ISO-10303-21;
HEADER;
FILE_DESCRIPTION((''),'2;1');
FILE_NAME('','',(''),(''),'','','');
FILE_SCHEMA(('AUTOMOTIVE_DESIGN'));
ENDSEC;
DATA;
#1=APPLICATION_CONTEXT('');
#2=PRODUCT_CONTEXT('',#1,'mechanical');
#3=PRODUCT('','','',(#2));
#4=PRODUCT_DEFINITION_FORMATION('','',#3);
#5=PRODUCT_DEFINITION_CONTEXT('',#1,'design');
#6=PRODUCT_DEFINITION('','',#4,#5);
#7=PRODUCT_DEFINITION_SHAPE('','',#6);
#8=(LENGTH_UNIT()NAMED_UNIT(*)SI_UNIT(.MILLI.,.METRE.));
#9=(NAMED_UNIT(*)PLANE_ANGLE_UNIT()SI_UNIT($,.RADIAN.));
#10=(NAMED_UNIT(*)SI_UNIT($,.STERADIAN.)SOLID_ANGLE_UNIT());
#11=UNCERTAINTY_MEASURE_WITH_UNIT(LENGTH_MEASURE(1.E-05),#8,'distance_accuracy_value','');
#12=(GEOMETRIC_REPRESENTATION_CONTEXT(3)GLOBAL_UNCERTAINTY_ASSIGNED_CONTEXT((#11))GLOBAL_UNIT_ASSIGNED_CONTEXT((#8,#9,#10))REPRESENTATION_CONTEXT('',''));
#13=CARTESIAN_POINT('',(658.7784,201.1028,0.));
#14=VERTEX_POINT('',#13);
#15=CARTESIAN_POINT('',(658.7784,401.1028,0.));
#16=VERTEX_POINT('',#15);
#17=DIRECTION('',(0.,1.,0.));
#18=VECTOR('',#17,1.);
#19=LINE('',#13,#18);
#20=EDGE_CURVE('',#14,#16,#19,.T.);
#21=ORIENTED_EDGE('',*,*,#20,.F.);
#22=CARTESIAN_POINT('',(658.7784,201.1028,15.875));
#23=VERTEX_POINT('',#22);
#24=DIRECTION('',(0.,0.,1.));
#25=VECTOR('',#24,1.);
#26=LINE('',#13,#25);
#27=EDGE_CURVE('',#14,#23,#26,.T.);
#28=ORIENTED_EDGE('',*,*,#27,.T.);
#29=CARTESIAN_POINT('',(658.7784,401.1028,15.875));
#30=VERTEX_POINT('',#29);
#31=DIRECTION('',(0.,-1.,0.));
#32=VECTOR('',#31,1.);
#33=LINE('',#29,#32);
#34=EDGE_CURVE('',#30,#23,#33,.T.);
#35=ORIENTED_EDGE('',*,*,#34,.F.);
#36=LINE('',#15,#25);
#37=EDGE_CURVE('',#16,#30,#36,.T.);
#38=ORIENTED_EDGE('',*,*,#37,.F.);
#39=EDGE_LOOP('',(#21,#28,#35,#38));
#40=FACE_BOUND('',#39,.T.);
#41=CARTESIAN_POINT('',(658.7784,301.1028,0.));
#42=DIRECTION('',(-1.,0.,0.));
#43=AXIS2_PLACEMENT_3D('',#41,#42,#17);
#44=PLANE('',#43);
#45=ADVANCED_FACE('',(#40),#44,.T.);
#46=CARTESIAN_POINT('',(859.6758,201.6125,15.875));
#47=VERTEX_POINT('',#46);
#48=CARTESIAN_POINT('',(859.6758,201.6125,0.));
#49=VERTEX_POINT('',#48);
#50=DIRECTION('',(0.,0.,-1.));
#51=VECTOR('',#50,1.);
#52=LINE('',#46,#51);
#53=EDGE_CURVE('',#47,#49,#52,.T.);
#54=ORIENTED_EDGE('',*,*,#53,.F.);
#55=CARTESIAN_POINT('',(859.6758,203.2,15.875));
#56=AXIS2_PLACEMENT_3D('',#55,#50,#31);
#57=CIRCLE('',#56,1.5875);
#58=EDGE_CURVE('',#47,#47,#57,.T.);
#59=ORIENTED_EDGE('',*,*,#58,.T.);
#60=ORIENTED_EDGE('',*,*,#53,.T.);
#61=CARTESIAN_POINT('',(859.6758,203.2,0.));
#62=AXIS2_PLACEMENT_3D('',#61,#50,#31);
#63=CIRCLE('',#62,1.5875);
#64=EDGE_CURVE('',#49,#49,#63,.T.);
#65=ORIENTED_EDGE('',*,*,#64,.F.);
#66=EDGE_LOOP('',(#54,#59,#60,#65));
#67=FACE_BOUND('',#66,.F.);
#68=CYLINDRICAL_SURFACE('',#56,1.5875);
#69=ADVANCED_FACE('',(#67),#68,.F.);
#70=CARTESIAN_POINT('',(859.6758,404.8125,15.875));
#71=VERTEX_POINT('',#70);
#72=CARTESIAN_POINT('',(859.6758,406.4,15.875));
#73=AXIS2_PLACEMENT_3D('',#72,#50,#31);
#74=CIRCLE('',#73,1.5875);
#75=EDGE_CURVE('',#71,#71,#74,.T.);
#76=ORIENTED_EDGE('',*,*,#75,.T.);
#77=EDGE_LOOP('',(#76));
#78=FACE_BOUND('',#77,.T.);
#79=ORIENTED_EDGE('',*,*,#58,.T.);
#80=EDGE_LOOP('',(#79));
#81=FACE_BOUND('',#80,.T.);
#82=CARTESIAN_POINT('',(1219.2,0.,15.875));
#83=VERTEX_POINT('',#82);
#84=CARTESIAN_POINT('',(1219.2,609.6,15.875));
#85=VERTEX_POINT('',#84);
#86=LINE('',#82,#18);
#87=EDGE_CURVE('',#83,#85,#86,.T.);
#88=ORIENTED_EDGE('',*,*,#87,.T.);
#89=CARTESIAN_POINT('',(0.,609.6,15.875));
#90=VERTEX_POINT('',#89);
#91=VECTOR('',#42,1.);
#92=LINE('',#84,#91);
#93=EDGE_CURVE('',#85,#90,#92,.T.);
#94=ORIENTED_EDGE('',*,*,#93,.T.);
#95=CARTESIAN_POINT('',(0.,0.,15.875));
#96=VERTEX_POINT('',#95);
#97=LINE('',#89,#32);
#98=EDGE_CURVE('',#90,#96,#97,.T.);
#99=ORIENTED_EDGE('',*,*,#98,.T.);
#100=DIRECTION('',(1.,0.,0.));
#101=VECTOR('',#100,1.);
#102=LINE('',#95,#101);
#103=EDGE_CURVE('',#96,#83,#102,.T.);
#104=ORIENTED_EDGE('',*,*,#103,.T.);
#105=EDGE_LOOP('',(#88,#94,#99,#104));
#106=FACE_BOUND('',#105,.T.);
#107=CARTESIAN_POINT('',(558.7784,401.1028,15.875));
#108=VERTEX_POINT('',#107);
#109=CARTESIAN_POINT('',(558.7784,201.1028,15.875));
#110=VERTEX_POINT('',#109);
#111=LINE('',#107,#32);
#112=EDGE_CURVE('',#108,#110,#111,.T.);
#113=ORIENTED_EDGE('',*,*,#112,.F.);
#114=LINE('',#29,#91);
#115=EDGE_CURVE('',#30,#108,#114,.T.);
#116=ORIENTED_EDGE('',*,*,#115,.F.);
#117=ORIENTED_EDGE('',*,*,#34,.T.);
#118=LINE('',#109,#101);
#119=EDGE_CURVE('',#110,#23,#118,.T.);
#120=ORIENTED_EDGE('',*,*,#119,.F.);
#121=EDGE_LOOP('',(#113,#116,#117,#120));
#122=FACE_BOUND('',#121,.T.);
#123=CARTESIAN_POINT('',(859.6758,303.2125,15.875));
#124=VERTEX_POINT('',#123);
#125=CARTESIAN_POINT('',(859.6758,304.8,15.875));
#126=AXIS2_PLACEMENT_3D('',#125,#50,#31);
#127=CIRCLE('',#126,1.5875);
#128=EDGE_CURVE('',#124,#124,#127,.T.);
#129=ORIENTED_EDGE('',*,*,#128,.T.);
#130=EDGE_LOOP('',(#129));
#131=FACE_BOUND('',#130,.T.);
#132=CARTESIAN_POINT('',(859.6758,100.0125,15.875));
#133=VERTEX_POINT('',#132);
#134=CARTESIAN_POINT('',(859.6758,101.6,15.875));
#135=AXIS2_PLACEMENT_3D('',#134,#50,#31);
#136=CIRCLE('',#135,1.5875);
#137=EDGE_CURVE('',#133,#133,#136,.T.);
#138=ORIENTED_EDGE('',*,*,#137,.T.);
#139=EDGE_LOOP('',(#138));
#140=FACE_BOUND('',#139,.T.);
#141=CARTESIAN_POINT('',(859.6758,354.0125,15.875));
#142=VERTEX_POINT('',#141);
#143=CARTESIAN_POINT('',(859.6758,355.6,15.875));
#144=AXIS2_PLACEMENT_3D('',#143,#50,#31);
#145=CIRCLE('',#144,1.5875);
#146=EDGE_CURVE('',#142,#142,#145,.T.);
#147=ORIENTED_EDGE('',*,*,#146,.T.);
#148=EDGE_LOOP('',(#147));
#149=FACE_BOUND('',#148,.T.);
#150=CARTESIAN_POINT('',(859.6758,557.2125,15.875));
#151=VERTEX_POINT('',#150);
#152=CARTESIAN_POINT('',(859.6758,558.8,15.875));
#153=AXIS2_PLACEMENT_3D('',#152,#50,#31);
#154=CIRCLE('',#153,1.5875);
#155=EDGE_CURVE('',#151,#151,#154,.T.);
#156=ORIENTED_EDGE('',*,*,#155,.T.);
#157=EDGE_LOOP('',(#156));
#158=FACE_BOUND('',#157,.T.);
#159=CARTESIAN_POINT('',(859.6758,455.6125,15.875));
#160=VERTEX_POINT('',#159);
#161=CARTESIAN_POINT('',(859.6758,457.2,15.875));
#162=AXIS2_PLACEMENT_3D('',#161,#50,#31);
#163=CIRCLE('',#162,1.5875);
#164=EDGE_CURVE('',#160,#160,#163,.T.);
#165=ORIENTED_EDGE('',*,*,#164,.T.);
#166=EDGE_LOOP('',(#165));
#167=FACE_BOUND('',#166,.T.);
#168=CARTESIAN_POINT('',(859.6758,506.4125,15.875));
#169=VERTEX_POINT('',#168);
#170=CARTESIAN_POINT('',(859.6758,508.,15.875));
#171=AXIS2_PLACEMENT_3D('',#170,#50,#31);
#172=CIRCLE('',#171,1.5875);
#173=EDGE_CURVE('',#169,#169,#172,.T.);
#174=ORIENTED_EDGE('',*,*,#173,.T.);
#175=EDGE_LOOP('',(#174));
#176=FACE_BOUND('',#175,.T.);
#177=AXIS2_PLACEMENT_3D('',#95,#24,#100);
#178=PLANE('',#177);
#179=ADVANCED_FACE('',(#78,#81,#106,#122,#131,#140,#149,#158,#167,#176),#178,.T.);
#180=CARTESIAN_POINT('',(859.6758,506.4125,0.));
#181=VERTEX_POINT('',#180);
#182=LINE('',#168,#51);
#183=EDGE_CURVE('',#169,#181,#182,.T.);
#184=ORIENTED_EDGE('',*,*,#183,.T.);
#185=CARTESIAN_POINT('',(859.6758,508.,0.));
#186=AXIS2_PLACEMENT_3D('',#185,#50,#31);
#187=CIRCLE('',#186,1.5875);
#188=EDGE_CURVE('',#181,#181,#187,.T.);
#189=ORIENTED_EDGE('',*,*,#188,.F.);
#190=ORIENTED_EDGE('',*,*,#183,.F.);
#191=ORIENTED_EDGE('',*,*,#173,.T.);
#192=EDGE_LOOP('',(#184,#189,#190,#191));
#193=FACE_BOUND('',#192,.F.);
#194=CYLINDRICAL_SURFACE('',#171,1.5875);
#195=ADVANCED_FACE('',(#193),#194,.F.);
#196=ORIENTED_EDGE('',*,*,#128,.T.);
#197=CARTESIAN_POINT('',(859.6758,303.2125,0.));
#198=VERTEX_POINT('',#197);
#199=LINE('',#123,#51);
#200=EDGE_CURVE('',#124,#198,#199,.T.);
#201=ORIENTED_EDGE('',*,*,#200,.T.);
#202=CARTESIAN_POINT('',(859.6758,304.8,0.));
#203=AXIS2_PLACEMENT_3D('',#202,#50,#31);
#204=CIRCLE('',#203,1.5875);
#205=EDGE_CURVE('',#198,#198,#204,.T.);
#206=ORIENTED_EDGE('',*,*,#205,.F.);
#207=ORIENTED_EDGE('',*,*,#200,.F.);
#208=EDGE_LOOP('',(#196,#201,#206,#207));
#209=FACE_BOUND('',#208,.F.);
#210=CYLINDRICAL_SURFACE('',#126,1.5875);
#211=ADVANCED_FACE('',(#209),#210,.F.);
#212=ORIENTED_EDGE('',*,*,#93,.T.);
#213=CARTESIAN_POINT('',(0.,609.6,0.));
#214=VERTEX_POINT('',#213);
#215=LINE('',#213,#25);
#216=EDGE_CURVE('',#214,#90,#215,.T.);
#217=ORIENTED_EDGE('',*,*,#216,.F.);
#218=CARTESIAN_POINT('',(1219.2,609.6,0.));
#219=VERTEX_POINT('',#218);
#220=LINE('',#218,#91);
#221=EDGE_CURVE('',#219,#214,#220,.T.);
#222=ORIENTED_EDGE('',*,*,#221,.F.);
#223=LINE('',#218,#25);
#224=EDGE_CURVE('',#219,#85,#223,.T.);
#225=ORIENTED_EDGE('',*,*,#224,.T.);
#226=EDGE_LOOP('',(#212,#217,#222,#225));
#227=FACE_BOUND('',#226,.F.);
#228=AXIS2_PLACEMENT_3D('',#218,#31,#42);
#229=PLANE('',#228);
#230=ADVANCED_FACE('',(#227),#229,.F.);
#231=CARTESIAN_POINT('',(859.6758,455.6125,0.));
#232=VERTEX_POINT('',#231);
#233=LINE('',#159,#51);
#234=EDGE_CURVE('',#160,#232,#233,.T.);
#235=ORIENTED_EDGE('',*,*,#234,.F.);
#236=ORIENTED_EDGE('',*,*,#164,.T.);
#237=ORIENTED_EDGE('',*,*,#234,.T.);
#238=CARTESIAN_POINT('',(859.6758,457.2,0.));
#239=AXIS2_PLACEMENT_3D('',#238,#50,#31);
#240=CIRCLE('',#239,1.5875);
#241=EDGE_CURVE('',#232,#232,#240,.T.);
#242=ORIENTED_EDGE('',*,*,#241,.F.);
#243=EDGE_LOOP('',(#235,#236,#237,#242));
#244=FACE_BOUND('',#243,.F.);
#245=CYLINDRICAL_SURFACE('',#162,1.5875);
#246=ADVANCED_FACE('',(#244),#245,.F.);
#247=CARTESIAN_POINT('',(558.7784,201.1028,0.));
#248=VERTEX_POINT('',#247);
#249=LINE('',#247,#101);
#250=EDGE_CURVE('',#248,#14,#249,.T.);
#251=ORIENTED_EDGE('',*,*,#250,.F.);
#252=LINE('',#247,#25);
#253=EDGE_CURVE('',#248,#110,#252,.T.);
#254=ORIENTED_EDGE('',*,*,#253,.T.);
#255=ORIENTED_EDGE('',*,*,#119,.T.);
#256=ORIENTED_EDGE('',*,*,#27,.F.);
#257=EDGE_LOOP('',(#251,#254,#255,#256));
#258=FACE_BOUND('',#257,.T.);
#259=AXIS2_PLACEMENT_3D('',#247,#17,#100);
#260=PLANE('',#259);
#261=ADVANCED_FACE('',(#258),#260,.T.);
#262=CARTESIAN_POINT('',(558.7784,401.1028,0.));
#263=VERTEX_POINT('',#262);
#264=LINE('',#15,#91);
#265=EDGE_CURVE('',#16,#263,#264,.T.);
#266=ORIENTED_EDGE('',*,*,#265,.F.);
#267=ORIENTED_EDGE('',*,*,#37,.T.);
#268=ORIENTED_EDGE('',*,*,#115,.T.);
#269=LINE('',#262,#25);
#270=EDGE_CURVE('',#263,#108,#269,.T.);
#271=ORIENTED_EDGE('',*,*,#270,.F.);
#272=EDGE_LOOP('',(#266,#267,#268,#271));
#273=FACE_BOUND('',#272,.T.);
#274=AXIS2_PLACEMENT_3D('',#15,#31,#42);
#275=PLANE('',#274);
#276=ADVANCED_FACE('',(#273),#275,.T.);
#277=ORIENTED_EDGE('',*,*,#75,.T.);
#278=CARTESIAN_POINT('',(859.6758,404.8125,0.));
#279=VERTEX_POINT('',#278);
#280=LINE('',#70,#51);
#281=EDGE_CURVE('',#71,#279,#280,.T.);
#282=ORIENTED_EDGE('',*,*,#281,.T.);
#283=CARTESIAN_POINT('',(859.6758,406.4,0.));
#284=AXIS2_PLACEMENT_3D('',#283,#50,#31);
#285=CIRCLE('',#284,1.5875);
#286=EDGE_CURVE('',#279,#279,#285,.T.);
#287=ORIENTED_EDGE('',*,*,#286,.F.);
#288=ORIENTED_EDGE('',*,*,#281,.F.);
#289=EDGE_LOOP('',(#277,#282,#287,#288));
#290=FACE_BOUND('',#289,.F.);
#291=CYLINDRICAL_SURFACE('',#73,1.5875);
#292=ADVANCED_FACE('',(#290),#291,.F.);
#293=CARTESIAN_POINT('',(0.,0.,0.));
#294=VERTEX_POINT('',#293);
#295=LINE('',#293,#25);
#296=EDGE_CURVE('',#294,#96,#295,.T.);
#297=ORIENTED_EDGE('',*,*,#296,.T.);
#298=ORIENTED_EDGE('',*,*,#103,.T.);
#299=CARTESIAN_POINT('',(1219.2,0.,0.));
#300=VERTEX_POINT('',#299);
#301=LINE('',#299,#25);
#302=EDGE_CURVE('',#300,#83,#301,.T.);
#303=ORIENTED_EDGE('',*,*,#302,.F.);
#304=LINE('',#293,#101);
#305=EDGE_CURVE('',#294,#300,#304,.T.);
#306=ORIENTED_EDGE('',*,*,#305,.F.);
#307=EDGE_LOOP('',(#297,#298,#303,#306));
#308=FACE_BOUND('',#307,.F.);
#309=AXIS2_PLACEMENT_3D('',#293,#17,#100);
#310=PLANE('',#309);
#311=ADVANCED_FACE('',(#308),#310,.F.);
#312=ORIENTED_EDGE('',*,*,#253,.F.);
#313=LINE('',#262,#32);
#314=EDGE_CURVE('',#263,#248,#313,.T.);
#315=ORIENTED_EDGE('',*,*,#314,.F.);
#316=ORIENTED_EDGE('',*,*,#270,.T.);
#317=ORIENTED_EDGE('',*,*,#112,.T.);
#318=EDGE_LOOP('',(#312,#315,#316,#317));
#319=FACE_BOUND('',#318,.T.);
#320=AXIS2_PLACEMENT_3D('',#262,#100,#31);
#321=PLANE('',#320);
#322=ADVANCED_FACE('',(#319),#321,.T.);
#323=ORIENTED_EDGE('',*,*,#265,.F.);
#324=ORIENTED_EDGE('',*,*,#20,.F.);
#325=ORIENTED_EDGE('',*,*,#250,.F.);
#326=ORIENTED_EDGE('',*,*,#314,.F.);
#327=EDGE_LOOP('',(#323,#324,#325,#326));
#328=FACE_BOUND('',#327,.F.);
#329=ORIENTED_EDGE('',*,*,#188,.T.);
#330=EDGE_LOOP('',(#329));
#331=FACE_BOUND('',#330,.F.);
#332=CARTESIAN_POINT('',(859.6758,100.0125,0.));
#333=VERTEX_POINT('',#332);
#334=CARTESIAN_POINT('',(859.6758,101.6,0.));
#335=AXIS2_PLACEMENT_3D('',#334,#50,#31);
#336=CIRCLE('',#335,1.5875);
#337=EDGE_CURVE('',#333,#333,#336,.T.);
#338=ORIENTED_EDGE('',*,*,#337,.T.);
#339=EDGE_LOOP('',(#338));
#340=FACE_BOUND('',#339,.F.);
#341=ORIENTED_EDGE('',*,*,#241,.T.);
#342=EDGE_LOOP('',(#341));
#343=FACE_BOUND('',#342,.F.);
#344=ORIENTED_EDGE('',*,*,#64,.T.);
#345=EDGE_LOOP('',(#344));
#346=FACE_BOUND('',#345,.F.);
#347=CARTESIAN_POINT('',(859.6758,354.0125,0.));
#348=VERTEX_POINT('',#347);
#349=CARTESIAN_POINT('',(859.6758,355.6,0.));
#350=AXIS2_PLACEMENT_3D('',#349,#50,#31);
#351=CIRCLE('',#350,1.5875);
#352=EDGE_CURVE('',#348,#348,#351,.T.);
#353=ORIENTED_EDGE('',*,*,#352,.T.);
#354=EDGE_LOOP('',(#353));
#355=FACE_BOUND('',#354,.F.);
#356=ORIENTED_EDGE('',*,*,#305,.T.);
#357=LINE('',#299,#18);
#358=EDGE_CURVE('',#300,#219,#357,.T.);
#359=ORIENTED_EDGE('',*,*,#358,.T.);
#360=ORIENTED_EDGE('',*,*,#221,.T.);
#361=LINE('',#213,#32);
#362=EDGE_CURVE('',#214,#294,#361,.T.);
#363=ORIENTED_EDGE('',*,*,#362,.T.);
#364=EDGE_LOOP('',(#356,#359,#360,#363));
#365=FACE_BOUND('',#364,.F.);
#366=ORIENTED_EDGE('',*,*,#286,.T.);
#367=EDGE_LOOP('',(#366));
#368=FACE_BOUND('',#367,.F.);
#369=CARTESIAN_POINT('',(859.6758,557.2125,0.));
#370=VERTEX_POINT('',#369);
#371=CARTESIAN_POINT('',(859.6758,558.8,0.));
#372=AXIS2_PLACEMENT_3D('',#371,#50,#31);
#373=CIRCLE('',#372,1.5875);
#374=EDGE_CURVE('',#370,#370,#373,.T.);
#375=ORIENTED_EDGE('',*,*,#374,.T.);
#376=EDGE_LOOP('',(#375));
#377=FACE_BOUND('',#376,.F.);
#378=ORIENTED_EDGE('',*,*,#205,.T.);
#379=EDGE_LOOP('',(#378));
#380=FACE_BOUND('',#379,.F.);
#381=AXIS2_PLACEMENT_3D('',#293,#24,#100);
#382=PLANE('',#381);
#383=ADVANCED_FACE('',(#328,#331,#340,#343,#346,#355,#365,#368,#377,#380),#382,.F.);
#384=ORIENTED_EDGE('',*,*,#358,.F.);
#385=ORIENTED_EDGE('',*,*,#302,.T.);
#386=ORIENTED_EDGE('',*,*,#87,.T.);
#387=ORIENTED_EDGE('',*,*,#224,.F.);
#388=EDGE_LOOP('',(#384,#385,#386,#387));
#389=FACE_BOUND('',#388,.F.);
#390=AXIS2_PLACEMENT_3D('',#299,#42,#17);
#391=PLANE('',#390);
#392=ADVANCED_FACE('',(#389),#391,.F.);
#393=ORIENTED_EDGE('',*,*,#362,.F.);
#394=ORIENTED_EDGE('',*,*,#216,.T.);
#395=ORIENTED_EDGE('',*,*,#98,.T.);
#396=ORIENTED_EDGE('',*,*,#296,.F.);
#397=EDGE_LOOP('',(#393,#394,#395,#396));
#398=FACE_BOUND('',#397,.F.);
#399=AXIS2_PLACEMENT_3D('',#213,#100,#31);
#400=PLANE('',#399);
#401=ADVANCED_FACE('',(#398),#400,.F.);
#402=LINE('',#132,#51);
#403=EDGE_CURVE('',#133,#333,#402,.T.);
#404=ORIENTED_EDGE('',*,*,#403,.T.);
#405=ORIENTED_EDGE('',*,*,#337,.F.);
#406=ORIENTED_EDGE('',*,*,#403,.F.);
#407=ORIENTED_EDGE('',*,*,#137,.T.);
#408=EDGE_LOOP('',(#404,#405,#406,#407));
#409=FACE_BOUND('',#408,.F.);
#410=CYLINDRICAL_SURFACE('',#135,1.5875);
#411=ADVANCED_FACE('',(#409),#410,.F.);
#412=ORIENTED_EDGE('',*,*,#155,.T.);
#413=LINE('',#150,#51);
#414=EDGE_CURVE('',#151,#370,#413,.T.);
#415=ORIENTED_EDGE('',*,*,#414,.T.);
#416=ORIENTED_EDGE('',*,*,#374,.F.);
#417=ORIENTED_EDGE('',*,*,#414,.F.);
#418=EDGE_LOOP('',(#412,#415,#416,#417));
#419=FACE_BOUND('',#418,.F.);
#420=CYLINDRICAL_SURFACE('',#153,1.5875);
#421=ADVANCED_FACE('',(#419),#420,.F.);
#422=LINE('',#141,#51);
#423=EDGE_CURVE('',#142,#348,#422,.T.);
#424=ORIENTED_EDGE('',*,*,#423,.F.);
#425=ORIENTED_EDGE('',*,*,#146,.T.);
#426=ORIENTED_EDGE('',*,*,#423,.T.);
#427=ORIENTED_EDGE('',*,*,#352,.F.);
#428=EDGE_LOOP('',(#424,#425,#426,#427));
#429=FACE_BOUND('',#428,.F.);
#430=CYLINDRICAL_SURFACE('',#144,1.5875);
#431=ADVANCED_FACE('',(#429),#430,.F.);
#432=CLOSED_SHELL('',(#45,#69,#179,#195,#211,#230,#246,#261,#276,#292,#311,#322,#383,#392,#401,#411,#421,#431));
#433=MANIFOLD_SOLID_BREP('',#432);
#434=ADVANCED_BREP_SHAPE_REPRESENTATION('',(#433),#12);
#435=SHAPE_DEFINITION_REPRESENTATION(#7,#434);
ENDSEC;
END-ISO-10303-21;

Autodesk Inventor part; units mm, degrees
ref_plane "YZ Plane" through (0, 0, 0) normal (1, 0, 0) x (0, 1, 0)
ref_plane "XZ Plane" through (0, 0, 0) normal (0, 1, 0) x (-1, 0, 0)
ref_plane "XY Plane" through (0, 0, 0) normal (0, 0, 1) x (1, 0, 0)
sketch "Sketch1" plane through (0, 0, 0) normal (0, 0, 1) x (1, 0, 0)
  line L0 (0, 0) -> (1219.2, 0)
  line L1 (1219.2, 0) -> (1219.2, 609.6)
  line L2 (1219.2, 609.6) -> (0, 609.6)
  line L3 (0, 609.6) -> (0, 0)
  line L4 (658.7784, 301.1028) -> (658.7784, 401.1028)
  line L5 (658.7784, 401.1028) -> (558.7784, 401.1028)
  line L6 (558.7784, 401.1028) -> (558.7784, 201.1028)
  line L7 (558.7784, 201.1028) -> (658.7784, 201.1028)
  line L8 (658.7784, 201.1028) -> (658.7784, 301.1028)
  dimension "d0" = 1219.2
  dimension "d1" = 609.6
  dimension "d4" = 100
  dimension "d5" = 100
  dimension "d6" = 200
  dimension "d7" = 100
extrude "Extrusion1" add sketch "Sketch1" along normal blind 15.875
sketch "Sketch2" plane through (0, 0, 15.875) normal (0, 0, 1) x (1, 0, 0)
  line L0 (658.7784, 201.1028) -> (558.7784, 201.1028) projected
  line L1 (558.7784, 201.1028) -> (558.7784, 401.1028) projected
  line L2 (558.7784, 401.1028) -> (658.7784, 401.1028) projected
  line L3 (658.7784, 401.1028) -> (658.7784, 201.1028) projected
  line L4 (0, 0) -> (1219.2, 0) projected
  line L5 (1219.2, 0) -> (1219.2, 609.6) projected
  line L6 (1219.2, 609.6) -> (0, 609.6) projected
  line L7 (0, 609.6) -> (0, 0) projected
sketch "Sketch3" plane through (0, 0, 15.875) normal (0, 0, 1) x (1, 0, 0)
  line L0 (0, 0) -> (859.6758, 0)
  line L1 (0, 0) -> (1219.2, 0) projected
  line L2 (1219.2, 609.6) -> (0, 609.6) projected
  line L3 (859.6758, 0) -> (961.2758, 0) construction
  point P0 (859.6758, 101.6)
  point P1 (859.6758, 203.2)
  point P2 (859.6758, 304.8)
  point P3 (859.6758, 355.6)
  point P4 (859.6758, 406.4)
  point P5 (859.6758, 457.2)
  point P6 (859.6758, 508)
  point P7 (859.6758, 558.8)
hole "Hole1" at (859.6758, 101.6, 15.875) at (859.6758, 203.2, 15.875) at (859.6758, 304.8, 15.875) at (859.6758, 355.6, 15.875) at (859.6758, 406.4, 15.875) at (859.6758, 457.2, 15.875) at (859.6758, 508, 15.875) at (859.6758, 558.8, 15.875) direction (0, 0, -1) diameter 3.175 end through all
properties part number "model 2 upper comp front window"
